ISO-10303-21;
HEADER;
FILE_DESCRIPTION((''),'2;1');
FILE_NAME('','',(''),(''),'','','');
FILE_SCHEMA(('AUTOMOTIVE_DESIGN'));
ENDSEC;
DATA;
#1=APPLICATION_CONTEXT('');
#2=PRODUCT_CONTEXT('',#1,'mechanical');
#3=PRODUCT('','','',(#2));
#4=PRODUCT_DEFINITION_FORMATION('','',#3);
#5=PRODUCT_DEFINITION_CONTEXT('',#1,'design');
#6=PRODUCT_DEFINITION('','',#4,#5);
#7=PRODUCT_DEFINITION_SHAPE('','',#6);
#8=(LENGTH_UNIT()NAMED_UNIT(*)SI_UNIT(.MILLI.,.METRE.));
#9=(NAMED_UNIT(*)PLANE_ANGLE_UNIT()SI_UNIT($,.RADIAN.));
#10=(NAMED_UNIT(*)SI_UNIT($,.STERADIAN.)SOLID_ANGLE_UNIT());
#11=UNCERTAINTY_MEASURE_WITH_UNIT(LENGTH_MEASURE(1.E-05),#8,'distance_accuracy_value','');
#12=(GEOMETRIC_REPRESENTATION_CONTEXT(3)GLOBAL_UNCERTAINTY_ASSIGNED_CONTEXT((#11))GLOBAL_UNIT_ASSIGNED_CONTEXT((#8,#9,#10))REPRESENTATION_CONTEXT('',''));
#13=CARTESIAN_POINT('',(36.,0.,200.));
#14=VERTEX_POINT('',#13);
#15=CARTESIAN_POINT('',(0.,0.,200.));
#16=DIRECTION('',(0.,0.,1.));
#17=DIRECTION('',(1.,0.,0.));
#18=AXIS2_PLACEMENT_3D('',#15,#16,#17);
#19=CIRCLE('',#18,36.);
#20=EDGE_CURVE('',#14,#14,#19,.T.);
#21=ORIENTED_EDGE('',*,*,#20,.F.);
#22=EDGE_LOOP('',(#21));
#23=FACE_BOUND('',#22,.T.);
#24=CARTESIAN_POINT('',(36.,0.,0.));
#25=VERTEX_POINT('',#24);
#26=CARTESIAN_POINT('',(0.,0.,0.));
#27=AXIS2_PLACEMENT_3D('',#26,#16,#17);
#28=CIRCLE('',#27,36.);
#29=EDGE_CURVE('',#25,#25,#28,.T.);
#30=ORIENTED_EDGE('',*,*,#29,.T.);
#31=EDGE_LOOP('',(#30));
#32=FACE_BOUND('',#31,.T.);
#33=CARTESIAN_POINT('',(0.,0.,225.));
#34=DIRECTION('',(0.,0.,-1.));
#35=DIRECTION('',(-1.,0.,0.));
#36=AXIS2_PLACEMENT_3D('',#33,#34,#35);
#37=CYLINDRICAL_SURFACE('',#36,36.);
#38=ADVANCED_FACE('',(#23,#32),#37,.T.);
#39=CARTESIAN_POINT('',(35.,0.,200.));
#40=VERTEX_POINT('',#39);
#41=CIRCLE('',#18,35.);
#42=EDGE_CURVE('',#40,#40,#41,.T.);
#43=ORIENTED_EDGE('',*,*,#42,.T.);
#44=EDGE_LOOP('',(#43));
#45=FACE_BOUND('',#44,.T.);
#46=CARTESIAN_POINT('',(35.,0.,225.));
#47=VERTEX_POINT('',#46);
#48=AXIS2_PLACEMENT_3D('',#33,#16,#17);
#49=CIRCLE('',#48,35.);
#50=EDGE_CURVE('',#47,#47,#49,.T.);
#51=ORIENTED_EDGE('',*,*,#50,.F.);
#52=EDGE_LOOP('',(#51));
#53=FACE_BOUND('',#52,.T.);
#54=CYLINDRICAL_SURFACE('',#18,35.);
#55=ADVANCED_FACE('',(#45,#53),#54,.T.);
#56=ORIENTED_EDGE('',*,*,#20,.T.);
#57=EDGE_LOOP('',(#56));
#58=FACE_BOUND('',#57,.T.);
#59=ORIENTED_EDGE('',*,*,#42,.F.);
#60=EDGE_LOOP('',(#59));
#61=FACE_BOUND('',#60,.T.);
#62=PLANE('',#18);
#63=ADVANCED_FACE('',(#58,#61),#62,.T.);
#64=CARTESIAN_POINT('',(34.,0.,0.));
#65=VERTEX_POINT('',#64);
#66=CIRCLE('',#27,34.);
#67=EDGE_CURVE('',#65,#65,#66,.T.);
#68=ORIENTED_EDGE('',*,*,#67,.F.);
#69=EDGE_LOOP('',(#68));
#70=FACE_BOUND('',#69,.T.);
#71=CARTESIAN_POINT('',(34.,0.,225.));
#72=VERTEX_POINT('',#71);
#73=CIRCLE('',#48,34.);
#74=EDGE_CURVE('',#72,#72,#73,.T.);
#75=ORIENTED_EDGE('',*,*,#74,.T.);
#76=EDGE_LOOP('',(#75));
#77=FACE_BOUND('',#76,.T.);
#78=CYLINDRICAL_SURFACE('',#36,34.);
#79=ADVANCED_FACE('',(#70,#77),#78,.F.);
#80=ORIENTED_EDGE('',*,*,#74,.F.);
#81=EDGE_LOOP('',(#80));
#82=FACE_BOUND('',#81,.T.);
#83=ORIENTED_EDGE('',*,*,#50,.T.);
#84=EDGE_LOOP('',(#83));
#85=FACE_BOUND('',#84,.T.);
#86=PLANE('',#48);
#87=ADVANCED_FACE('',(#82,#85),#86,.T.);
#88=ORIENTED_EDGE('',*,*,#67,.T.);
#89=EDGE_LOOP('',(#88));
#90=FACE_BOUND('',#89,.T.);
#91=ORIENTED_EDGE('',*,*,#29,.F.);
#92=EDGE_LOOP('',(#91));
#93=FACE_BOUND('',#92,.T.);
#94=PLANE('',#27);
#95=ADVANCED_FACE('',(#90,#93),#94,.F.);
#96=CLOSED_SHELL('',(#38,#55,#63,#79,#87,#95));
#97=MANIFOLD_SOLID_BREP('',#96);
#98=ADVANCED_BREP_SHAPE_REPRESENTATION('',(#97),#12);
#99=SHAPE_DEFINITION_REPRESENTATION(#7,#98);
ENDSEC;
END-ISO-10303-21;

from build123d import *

# Parameters (mm, degrees)
ESQUISSE1_R             = 36
ESQUISSE1_R_2           = 34
BOSS_EXTRU_1_DEPTH      = 225
ENL_V_START             = -25
ESQUISSE2_R             = 36
ESQUISSE2_R_2           = 35
ENL_V_MAT_EXTRU_1_DEPTH = 25


with BuildPart() as part:
    # Esquisse1 → Boss.-Extru.1 (new body)
    with BuildSketch(Plane.XY):
        Circle(ESQUISSE1_R)
        Circle(ESQUISSE1_R_2, mode=Mode.SUBTRACT)
    extrude(amount=BOSS_EXTRU_1_DEPTH)

    # Esquisse2 → Enlèv. mat.-Extru.1 (cut)
    with BuildSketch(Plane.XY.offset(225).offset(ENL_V_START)):
        Circle(ESQUISSE2_R)
        Circle(ESQUISSE2_R_2, mode=Mode.SUBTRACT)
    extrude(amount=ENL_V_MAT_EXTRU_1_DEPTH, mode=Mode.SUBTRACT)


solid = part.part
